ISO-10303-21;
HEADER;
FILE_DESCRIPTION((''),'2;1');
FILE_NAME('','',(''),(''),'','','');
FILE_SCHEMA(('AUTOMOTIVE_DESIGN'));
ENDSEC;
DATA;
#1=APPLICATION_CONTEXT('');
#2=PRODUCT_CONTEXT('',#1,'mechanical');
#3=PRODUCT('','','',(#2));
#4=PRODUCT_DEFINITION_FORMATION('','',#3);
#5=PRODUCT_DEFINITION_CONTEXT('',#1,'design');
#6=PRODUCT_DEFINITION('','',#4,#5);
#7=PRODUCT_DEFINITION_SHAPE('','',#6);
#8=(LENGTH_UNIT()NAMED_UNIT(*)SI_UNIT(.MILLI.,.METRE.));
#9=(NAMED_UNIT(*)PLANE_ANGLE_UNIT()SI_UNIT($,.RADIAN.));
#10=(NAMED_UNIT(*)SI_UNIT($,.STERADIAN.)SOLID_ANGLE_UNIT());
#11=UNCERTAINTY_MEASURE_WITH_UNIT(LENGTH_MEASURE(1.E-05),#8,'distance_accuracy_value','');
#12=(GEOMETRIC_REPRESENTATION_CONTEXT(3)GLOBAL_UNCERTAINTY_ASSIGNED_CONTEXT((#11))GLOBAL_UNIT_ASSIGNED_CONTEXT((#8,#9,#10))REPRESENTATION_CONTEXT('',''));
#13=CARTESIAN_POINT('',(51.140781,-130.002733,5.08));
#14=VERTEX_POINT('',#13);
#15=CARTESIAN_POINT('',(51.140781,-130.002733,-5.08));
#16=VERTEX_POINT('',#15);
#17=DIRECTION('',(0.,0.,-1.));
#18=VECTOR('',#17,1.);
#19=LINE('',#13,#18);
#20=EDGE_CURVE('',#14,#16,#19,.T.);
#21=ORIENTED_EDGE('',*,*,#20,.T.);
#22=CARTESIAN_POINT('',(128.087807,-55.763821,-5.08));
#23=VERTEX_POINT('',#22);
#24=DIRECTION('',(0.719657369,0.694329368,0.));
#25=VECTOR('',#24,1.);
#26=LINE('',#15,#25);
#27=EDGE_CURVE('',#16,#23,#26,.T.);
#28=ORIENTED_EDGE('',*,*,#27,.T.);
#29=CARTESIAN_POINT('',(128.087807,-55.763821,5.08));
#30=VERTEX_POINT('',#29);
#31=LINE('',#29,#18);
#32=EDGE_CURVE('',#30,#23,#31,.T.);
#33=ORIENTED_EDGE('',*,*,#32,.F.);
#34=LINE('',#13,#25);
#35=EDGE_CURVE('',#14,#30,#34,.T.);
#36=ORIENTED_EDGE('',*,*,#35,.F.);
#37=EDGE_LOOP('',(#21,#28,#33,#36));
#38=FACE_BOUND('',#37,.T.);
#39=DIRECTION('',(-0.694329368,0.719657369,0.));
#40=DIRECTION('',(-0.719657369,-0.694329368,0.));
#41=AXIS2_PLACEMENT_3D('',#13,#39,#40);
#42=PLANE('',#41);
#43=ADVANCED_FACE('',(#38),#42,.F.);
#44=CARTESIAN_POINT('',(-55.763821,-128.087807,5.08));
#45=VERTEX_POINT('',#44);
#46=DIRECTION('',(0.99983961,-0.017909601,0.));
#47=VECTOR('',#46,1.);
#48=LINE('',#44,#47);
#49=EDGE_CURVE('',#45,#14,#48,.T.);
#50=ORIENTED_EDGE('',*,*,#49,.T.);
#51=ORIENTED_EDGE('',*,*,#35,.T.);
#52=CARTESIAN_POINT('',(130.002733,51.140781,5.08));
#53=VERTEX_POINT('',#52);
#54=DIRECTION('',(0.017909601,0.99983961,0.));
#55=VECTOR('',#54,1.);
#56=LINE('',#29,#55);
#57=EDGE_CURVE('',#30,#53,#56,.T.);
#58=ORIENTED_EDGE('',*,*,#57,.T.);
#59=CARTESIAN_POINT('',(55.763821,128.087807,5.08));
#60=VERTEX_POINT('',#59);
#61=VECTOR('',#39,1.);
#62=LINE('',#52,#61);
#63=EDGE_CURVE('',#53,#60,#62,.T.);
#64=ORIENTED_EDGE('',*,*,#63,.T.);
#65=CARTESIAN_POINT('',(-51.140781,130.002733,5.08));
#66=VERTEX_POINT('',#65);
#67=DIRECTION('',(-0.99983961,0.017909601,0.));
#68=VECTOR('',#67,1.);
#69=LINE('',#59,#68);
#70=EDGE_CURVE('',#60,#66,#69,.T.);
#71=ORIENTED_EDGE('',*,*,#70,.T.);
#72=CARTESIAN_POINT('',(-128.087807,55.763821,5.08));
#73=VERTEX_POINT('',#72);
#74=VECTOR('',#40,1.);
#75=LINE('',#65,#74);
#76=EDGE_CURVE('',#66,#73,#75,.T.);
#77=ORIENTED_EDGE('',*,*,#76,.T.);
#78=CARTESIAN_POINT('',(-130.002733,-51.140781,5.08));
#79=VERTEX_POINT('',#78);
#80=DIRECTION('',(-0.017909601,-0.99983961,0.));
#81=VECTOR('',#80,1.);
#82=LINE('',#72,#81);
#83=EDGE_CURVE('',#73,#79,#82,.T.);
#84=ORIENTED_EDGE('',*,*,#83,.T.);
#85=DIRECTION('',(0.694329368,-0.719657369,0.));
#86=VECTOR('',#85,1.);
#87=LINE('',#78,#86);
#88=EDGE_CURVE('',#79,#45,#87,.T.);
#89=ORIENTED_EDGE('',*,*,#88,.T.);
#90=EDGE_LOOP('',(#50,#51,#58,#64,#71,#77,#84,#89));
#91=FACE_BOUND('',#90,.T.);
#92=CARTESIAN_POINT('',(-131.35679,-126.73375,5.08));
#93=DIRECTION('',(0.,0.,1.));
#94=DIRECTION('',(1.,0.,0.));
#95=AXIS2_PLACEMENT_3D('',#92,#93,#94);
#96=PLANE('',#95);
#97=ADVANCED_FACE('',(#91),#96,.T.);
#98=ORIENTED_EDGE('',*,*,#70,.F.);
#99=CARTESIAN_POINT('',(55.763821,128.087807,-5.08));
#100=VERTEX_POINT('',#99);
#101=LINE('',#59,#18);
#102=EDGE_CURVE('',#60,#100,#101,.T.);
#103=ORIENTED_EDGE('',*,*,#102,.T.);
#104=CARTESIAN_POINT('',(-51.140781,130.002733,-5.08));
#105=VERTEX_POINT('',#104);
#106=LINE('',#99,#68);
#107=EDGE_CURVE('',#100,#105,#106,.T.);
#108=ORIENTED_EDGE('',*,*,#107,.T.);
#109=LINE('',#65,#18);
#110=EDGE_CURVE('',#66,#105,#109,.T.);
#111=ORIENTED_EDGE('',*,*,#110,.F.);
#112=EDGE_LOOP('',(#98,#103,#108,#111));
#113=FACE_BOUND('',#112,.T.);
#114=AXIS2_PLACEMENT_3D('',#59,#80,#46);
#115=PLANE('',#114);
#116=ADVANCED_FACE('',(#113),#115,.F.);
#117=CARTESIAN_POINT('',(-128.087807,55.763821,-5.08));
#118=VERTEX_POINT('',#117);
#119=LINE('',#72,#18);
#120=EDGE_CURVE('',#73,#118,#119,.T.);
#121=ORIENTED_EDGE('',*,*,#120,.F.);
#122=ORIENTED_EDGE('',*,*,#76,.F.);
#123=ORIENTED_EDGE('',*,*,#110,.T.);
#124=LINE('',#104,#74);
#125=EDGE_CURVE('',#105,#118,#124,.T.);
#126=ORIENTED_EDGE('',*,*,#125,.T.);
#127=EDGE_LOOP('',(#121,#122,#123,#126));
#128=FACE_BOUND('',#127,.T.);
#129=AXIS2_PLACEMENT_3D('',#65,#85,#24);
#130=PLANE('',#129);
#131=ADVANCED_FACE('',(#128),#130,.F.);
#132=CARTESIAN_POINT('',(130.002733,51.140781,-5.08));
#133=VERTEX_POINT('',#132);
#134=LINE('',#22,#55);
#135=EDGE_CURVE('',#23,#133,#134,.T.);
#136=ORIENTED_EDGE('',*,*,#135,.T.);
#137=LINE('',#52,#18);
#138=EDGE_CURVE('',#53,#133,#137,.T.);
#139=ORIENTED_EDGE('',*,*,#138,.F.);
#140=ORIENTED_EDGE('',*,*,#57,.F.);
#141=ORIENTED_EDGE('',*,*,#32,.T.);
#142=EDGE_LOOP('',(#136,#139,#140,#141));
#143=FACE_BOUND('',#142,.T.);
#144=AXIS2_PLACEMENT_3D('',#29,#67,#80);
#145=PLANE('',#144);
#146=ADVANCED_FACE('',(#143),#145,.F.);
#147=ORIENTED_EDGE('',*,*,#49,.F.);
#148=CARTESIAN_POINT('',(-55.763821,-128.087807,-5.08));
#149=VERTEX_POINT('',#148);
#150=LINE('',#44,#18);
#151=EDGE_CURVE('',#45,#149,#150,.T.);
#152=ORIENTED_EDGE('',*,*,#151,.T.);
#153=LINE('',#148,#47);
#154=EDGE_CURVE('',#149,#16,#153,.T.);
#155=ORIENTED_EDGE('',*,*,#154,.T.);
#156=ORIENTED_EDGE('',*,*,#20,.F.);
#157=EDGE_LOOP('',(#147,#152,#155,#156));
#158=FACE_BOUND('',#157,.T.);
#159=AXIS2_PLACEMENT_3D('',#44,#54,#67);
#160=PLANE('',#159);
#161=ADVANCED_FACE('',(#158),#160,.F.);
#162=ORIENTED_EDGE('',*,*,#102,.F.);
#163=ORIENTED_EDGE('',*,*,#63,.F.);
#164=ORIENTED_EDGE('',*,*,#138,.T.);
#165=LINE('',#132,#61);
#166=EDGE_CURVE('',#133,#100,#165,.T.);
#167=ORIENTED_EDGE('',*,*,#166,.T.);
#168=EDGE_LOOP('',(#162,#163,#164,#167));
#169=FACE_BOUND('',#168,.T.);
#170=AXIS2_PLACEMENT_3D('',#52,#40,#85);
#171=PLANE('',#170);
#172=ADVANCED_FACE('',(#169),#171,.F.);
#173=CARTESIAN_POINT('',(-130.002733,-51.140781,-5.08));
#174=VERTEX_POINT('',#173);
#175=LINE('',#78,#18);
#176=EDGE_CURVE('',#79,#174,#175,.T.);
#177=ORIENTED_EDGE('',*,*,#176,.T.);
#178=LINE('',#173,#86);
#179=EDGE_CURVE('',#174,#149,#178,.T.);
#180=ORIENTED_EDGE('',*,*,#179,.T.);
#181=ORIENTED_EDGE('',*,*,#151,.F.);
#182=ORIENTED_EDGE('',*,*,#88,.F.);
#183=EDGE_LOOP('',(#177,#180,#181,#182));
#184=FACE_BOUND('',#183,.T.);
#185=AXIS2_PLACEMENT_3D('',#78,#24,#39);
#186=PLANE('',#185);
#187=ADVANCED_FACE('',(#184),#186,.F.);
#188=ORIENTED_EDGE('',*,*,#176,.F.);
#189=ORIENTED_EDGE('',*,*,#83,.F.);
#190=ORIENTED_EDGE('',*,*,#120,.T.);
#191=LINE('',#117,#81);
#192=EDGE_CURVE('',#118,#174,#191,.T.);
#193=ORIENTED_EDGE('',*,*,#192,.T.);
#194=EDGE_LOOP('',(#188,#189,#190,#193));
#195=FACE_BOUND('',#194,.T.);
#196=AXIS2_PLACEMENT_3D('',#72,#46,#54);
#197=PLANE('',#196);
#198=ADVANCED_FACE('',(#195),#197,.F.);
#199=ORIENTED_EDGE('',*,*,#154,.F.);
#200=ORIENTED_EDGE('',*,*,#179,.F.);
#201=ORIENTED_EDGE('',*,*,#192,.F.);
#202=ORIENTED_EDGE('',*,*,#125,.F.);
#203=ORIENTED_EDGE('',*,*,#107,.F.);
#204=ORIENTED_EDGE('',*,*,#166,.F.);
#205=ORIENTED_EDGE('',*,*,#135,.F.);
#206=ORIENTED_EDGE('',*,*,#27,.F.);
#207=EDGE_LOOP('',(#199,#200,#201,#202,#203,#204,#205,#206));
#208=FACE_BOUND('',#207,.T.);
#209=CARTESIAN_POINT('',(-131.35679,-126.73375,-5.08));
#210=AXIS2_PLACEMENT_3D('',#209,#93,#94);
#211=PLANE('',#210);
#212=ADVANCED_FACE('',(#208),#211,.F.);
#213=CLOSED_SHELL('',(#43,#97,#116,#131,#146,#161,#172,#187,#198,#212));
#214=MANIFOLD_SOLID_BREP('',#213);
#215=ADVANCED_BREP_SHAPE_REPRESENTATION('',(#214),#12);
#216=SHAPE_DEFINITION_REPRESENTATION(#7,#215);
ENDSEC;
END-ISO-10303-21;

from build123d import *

# Parameters (mm, degrees)
BOSS_EXTRUDE1_DEPTH = 5.08


with BuildPart() as part:
    # Sketch1 → Boss-Extrude1 (new body, symmetric)
    with BuildSketch(Plane.XY):
        Polygon((-130.002732772, -51.140780907), (-55.763820942, -128.08780689), (51.140780907, -130.002732772), (128.08780689, -55.763820942), (130.002732772, 51.140780907), (55.763820942, 128.08780689), (-51.140780907, 130.002732772), (-128.08780689, 55.763820942), align=None)
    extrude(amount=BOSS_EXTRUDE1_DEPTH, both=True)


solid = part.part
